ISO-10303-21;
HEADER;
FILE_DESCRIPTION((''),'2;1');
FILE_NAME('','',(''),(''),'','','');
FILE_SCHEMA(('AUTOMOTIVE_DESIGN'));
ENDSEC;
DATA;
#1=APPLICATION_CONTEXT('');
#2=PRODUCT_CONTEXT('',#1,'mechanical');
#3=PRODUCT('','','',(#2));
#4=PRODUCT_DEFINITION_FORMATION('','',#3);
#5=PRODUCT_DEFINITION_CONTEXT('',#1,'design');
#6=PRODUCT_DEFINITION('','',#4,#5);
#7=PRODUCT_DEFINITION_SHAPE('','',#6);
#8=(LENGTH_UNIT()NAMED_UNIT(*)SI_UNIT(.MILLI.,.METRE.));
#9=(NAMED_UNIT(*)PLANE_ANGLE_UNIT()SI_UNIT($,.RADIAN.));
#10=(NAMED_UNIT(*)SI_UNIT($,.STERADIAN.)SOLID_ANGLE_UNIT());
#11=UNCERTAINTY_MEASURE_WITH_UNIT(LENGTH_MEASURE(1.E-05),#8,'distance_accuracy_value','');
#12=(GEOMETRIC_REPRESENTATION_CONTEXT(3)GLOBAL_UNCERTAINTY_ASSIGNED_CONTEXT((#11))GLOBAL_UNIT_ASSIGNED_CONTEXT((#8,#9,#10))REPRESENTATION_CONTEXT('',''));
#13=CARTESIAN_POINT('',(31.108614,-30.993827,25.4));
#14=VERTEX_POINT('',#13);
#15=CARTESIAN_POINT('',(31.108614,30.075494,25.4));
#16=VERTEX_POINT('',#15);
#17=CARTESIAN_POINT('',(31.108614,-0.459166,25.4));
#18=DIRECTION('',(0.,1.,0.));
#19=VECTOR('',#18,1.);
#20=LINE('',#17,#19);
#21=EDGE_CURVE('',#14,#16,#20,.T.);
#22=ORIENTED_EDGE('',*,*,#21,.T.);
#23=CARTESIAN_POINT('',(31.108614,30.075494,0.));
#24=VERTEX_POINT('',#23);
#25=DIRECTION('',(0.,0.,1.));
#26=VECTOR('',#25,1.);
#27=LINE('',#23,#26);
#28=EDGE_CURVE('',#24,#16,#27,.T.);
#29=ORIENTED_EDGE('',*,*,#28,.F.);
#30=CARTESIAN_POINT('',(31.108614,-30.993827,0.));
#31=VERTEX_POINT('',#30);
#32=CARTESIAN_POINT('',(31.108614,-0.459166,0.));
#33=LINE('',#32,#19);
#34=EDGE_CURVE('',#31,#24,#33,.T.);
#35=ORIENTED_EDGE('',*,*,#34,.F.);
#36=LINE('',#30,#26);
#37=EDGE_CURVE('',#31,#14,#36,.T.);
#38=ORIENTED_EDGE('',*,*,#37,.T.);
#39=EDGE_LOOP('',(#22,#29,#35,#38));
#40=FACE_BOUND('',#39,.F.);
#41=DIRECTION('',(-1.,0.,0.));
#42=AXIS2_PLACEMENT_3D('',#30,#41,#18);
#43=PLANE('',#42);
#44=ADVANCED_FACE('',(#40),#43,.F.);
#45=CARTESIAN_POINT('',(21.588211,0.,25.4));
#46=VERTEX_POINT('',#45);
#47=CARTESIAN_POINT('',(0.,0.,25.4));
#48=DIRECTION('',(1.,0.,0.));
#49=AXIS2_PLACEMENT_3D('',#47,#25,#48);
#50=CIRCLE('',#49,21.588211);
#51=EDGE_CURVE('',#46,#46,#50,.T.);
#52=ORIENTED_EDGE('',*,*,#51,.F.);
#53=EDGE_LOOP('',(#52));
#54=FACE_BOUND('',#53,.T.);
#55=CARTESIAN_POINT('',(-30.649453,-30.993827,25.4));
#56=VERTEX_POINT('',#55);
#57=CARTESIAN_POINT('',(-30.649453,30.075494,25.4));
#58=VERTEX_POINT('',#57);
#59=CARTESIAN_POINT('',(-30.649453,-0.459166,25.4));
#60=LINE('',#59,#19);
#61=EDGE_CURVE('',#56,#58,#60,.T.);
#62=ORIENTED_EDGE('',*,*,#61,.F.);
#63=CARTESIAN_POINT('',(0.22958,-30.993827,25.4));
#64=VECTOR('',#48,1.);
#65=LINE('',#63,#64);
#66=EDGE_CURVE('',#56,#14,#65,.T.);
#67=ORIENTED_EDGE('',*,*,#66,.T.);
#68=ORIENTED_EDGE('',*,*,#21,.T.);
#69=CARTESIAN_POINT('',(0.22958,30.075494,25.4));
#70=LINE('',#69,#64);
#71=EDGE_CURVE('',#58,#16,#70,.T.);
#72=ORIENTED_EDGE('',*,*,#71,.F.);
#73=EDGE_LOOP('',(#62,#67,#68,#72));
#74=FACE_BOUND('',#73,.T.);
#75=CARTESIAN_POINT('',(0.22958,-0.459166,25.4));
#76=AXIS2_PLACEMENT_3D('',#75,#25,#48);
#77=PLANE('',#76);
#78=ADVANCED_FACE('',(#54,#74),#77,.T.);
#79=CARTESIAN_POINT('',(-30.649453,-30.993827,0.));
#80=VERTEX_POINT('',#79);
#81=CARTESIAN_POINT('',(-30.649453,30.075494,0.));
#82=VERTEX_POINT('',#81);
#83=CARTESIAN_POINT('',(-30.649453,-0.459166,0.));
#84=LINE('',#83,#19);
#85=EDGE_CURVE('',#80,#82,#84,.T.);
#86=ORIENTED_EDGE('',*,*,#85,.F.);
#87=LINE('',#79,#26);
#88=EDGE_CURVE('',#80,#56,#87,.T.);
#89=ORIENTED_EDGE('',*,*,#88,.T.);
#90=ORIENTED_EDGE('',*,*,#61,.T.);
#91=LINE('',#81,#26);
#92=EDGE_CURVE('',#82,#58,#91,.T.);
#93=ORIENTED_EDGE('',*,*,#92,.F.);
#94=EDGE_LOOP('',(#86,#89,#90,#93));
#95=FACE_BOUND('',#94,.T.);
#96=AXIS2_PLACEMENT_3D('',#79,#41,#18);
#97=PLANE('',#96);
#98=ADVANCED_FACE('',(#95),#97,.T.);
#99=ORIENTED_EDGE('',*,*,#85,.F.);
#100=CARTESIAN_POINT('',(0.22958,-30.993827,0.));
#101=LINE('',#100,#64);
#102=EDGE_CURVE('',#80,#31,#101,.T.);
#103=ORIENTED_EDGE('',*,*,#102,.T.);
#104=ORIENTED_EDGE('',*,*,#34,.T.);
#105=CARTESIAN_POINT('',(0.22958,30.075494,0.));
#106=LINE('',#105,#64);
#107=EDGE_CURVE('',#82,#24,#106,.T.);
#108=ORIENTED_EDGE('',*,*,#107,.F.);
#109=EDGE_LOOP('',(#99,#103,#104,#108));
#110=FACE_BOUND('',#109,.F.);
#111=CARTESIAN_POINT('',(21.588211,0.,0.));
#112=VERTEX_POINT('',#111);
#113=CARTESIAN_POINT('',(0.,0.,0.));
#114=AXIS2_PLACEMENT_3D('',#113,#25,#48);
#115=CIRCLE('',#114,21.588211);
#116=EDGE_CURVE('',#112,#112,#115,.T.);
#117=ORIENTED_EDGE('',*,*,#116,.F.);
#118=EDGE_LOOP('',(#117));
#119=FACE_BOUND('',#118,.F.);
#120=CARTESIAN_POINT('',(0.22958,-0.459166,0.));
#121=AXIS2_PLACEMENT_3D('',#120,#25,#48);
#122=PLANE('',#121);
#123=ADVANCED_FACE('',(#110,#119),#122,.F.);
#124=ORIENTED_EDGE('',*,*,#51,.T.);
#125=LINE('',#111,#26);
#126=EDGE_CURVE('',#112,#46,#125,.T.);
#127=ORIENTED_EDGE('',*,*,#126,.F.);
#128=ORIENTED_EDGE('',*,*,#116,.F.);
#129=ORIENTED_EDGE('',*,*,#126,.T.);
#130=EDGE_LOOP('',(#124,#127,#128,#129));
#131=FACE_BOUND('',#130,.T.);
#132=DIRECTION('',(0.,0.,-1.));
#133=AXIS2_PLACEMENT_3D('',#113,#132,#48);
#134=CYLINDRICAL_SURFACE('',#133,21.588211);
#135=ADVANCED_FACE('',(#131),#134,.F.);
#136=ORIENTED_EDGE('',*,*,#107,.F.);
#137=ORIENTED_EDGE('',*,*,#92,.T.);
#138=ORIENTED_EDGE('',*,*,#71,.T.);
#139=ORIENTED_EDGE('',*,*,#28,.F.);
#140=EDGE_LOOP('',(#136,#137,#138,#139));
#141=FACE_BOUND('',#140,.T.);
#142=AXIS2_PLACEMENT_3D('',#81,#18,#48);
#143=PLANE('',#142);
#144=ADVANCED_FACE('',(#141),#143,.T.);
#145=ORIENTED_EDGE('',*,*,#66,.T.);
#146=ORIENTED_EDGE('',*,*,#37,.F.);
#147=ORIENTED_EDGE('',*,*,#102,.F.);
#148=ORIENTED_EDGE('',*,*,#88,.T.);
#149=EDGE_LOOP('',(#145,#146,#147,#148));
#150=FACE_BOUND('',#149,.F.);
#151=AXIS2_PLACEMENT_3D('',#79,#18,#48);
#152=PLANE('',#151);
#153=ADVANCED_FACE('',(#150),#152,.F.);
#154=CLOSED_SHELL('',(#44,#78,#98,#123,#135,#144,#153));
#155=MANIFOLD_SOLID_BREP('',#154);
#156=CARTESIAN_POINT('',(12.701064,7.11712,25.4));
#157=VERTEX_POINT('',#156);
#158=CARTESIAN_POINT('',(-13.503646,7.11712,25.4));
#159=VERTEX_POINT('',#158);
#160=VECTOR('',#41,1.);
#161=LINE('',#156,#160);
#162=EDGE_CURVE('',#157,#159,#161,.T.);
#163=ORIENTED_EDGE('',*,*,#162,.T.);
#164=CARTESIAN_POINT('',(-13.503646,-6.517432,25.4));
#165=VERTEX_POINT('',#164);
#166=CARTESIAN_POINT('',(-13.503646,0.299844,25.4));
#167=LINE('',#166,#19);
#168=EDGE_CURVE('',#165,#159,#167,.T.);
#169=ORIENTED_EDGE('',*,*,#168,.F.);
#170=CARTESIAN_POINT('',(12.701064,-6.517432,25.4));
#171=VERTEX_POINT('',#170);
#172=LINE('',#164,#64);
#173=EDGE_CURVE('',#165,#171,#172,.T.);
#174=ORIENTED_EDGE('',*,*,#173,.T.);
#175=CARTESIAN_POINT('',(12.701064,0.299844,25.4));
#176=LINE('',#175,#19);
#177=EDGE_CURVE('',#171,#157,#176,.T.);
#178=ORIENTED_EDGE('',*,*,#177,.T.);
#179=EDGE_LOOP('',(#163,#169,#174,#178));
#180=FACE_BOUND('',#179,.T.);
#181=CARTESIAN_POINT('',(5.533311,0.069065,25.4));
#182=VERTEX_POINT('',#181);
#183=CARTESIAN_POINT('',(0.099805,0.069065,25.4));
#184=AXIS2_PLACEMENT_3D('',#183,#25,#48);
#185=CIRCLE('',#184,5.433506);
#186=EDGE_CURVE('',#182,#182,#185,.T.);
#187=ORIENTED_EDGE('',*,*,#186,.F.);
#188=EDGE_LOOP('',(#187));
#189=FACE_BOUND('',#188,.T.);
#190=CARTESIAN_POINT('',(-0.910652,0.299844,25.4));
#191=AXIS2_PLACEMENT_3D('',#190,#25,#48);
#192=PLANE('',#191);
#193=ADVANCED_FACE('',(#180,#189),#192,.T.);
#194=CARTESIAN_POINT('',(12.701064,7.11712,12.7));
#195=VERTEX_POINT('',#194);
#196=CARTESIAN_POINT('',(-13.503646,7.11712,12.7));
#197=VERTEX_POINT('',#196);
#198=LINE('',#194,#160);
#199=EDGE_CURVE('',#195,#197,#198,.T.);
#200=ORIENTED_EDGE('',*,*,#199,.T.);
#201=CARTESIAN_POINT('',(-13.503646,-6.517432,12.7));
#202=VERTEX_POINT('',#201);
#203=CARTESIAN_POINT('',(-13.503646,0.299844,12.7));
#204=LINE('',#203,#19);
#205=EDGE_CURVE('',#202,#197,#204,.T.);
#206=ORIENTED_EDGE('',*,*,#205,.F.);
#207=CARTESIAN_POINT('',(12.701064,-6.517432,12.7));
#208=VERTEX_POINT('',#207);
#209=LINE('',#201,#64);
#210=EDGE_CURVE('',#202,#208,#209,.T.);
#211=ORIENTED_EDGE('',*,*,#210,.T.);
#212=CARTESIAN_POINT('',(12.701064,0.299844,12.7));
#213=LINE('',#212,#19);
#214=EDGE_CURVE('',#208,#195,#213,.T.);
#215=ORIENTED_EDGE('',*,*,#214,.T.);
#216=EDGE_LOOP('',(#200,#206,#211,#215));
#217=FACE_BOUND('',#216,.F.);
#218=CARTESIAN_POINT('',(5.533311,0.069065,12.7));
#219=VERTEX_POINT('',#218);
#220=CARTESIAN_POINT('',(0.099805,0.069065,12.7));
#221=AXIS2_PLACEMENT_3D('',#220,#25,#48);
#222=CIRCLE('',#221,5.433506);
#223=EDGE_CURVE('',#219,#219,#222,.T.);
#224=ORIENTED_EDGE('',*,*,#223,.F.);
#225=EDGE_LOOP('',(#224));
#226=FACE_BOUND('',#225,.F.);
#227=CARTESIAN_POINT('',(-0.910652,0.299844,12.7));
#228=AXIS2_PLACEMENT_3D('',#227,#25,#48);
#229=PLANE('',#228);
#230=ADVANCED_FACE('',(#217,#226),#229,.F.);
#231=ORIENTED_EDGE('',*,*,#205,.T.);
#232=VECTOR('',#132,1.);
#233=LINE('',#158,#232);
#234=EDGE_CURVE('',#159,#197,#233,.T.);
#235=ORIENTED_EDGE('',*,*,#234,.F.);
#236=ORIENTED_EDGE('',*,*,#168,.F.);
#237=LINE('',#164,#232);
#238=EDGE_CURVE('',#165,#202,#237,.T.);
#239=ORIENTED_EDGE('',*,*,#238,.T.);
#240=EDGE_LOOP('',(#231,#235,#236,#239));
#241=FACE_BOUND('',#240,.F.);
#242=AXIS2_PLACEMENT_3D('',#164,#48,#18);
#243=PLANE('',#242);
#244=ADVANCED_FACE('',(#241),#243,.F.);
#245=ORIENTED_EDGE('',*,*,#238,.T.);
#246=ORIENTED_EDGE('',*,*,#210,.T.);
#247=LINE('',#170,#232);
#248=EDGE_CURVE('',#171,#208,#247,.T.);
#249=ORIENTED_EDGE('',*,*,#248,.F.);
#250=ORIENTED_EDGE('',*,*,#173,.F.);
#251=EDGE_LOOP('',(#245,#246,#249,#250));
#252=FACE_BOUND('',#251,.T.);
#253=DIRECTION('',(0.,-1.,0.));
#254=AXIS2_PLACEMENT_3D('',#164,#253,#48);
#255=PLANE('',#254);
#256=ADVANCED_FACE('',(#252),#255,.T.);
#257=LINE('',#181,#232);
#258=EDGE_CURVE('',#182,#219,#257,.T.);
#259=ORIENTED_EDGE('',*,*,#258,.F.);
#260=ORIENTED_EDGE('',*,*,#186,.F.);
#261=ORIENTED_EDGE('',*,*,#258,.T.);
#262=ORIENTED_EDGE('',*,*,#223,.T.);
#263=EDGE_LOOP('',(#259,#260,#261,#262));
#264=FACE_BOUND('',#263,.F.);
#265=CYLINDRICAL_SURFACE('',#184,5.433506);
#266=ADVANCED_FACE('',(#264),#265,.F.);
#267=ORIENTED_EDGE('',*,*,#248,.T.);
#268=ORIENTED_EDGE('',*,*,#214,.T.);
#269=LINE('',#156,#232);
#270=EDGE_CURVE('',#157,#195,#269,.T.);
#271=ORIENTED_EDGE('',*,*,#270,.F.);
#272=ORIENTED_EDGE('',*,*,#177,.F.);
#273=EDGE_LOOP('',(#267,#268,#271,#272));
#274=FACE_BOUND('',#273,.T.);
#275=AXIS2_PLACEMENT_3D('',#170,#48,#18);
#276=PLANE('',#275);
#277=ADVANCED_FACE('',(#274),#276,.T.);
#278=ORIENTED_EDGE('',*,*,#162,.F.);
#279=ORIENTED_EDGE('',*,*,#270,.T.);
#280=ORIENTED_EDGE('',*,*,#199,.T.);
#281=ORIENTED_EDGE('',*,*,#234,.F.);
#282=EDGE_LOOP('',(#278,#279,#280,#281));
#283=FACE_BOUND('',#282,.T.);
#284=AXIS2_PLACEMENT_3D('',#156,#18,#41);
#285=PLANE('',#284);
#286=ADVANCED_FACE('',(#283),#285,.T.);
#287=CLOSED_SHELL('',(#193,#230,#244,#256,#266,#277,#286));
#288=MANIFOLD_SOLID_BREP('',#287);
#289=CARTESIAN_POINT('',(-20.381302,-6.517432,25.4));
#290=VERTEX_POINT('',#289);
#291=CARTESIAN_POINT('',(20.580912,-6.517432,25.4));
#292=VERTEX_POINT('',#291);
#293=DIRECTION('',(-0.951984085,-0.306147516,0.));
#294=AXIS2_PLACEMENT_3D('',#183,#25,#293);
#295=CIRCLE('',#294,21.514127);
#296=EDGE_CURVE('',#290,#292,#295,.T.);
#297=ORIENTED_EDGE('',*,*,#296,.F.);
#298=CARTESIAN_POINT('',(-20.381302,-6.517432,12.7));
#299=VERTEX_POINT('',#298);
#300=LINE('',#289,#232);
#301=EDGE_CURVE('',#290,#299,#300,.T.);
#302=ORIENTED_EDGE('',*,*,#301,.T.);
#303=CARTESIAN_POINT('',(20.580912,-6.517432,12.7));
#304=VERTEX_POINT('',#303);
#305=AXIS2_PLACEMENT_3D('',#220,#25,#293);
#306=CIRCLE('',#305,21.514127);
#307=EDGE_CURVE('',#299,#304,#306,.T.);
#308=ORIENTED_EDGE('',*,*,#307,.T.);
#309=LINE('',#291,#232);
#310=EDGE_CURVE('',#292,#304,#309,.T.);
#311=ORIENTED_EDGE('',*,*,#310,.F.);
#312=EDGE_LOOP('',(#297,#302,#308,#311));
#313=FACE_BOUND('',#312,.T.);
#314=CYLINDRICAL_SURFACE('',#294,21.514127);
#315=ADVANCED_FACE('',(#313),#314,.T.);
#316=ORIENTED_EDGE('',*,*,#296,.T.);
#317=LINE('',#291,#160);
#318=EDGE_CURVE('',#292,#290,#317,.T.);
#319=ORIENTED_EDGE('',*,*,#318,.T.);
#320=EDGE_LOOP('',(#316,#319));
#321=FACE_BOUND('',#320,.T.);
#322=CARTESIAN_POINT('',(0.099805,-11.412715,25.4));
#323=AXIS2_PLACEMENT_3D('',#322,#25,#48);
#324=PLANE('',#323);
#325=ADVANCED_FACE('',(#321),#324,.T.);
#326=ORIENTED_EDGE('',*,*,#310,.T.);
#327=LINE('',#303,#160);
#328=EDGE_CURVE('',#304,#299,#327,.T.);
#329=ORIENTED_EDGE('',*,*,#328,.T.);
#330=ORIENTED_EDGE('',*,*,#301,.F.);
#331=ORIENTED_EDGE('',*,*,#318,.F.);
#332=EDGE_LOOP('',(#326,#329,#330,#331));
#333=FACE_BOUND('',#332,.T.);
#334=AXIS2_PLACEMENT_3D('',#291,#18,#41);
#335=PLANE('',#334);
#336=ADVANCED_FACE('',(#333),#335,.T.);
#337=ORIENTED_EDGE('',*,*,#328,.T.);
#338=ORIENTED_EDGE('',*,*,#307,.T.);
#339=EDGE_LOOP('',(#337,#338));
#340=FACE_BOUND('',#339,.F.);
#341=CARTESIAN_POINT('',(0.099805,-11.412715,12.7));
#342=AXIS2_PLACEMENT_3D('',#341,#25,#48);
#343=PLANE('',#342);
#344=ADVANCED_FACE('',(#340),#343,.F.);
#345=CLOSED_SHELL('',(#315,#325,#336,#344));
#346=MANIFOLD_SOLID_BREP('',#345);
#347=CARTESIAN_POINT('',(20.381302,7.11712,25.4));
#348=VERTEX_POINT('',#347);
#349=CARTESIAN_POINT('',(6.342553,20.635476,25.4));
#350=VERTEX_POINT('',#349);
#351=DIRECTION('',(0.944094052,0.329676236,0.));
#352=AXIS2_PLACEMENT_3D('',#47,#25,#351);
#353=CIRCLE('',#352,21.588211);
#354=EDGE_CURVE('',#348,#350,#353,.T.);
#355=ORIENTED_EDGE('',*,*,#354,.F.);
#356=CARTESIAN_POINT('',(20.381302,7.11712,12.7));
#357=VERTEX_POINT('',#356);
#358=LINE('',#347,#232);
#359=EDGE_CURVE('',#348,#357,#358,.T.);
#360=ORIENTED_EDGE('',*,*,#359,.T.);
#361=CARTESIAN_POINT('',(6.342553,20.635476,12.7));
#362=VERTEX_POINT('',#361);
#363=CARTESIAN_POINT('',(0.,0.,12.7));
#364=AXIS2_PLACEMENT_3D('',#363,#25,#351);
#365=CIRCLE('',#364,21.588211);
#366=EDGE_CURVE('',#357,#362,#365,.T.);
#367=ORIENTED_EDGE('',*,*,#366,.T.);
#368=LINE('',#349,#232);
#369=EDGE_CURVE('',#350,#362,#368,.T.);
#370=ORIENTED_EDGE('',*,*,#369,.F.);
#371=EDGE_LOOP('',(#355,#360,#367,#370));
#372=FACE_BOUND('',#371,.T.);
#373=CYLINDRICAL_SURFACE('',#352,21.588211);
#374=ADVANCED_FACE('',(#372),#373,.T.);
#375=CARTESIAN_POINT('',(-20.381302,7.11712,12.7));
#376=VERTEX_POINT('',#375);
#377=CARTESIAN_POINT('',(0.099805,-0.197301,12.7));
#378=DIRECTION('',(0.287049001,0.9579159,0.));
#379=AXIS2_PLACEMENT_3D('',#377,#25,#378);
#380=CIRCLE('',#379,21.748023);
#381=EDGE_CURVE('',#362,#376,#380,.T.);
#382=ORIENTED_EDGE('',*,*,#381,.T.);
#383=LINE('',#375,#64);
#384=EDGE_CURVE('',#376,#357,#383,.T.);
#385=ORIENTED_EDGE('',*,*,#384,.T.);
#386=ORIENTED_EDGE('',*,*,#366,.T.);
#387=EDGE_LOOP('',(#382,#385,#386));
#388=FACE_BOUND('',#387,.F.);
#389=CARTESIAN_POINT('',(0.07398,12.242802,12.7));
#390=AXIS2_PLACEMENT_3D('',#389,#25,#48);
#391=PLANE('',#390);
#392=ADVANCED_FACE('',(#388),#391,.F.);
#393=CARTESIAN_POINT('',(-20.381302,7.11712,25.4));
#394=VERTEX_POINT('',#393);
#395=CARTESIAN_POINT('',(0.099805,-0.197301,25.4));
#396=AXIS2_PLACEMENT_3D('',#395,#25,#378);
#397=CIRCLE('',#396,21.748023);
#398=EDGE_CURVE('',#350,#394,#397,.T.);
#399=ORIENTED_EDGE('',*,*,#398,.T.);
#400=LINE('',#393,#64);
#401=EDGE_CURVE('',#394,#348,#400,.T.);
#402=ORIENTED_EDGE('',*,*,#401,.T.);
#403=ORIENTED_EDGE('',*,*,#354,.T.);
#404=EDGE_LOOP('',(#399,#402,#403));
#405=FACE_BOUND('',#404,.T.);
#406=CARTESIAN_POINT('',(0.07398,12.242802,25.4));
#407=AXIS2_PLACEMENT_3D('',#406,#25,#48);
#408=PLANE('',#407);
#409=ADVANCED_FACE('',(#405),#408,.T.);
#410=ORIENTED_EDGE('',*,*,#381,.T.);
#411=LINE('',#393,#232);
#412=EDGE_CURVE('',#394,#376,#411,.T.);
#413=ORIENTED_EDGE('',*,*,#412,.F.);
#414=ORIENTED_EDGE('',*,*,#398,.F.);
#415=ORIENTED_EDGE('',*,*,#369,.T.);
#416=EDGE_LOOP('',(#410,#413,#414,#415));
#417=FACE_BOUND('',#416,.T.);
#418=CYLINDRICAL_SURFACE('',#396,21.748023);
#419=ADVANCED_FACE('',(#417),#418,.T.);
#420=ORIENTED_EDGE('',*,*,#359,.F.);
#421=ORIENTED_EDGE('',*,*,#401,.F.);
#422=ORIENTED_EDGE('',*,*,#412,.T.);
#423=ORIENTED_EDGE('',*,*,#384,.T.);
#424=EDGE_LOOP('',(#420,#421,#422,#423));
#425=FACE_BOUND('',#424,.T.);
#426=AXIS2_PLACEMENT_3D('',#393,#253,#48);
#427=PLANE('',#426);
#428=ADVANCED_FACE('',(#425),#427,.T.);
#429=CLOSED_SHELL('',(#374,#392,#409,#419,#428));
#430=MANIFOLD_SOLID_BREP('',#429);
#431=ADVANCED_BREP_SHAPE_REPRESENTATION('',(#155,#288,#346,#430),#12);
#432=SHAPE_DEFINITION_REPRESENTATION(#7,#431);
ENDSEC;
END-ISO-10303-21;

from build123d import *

# Parameters (mm, degrees)
F0_W     = 61.7580674589
F0_H     = 61.0693208873
F0_R     = 21.5882111265
F1_DEPTH = 25.4
F3_DEPTH = 12.7
F4_DEPTH = 12.7
F2_W     = 13.4601416066
F2_H     = 13.6345517801
F2_R     = 5.4335056299
F2_W_2   = 5.8629224077
F2_W_3   = 6.8816458806
F5_DEPTH = 12.7


with BuildPart() as f1:
    # F0 (on Top) → F1 (new body)
    with BuildSketch(Plane.XY):
        with Locations((0.2295803279, -0.4591662437)):
            Rectangle(F0_W, F0_H)
        Circle(F0_R, mode=Mode.SUBTRACT)
    extrude(amount=F1_DEPTH)


with BuildPart() as f3:
    # F2 (on face) → F3 (new body)
    with BuildSketch(Plane.XY.offset(25.4)):
        with BuildLine():
            ThreePointArc((6.3425534195, 20.6354761458), (-9.7169764237, 19.2090718161), (-20.3813017202, 7.1171201925))
            Line((-20.3813017202, 7.1171201925), (-13.5036455467, 7.1171201925))
            Line((-13.5036455467, 7.1171201925), (-7.640723139, 7.1171201925))
            Line((-7.640723139, 7.1171201925), (5.8194184676, 7.1171201925))
            Line((5.8194184676, 7.1171201925), (12.7010643482, 7.1171201925))
            Line((12.7010643482, 7.1171201925), (20.3813017202, 7.1171201925))
            ThreePointArc((20.3813017202, 7.1171201925), (14.9742310421, 15.5506676494), (6.3425534195, 20.6354761458))
        make_face()
    extrude(amount=-F3_DEPTH)


with BuildPart() as f4:
    # F2 (on face) → F4 (new body)
    with BuildSketch(Plane.XY.offset(25.4)):
        with BuildLine():
            Line((-13.5036455467, -6.5174315876), (-20.3813017202, -6.5174315876))
            ThreePointArc((-20.3813017202, -6.5174315876), (0.0998052176, -21.4450623609), (20.5809121553, -6.5174315876))
            Line((20.5809121553, -6.5174315876), (12.7010643482, -6.5174315876))
            Line((12.7010643482, -6.5174315876), (5.8194184676, -6.5174315876))
            Line((5.8194184676, -6.5174315876), (-7.640723139, -6.5174315876))
            Line((-7.640723139, -6.5174315876), (-13.5036455467, -6.5174315876))
        make_face()
    extrude(amount=-F4_DEPTH)


with BuildPart() as f5:
    # F2 (on face) → F5 (new body)
    with BuildSketch(Plane.XY.offset(25.4)):
        with Locations((-0.9106523357, 0.2998443025)):
            Rectangle(F2_W, F2_H)
        with Locations((0.0998052176, 0.0690650869)):
            Circle(F2_R, mode=Mode.SUBTRACT)
        with Locations((-10.5721843429, 0.2998443025)):
            Rectangle(F2_W_2, F2_H)
        with Locations((9.2602414079, 0.2998443025)):
            Rectangle(F2_W_3, F2_H)
    extrude(amount=-F5_DEPTH)


solid = Compound([f1.part, f3.part, f4.part, f5.part])
